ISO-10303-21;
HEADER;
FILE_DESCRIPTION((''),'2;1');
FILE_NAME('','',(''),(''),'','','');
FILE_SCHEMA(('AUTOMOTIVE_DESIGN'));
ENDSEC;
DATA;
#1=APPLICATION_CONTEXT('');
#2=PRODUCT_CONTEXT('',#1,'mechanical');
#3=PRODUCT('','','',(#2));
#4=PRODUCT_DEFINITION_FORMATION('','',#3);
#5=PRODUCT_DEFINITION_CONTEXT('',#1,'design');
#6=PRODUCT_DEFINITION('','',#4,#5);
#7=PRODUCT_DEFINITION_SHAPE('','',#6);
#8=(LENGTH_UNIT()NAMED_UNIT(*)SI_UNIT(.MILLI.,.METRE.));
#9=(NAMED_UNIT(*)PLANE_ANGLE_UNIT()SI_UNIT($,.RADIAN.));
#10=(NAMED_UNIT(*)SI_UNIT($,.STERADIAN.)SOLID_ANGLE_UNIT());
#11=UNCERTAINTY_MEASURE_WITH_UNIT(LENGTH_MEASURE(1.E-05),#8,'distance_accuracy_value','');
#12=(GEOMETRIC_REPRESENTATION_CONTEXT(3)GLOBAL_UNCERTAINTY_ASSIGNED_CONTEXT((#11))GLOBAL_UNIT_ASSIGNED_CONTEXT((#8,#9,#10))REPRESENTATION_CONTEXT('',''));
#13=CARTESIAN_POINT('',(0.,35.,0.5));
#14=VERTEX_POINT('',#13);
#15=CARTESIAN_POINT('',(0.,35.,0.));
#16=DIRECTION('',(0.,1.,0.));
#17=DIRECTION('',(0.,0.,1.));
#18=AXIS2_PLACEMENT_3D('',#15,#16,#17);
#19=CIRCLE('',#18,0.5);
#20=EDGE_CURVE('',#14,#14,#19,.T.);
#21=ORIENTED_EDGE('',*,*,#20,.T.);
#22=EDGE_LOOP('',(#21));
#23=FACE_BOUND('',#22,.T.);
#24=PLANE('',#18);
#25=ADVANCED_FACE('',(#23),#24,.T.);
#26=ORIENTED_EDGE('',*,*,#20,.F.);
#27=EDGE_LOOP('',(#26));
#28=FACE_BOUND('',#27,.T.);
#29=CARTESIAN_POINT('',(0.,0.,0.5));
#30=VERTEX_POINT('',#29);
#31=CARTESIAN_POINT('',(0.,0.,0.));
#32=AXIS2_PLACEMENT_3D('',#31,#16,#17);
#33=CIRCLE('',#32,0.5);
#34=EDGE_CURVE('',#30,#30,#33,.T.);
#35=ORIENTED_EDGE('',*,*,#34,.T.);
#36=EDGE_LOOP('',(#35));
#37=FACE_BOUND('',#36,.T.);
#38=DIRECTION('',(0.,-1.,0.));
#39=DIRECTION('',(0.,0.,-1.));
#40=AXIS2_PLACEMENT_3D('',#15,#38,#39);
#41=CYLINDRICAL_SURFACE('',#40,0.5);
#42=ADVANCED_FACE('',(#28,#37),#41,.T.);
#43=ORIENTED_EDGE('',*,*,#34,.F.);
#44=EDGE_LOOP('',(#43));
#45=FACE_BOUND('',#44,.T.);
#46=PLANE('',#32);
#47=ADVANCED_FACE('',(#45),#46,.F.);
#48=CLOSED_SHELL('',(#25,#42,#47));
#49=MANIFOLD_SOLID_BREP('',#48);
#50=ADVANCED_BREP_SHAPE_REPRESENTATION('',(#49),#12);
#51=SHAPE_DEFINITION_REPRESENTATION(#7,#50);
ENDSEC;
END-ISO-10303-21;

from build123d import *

# Parameters (mm, degrees)
ESBO_O1_R                = 0.5
RESSALTO_EXTRUS_O1_DEPTH = 35


with BuildPart() as part:
    # Esboço1 → Ressalto-extrusão1 (new body)
    with BuildSketch(Plane(origin=(0, 0, 0), x_dir=(1, 0, 0), z_dir=(0, 1, 0))):
        with Locations(Location((0, 0, 0), (0, 0, 270))):
            Circle(ESBO_O1_R)
    extrude(amount=RESSALTO_EXTRUS_O1_DEPTH)


solid = part.part
